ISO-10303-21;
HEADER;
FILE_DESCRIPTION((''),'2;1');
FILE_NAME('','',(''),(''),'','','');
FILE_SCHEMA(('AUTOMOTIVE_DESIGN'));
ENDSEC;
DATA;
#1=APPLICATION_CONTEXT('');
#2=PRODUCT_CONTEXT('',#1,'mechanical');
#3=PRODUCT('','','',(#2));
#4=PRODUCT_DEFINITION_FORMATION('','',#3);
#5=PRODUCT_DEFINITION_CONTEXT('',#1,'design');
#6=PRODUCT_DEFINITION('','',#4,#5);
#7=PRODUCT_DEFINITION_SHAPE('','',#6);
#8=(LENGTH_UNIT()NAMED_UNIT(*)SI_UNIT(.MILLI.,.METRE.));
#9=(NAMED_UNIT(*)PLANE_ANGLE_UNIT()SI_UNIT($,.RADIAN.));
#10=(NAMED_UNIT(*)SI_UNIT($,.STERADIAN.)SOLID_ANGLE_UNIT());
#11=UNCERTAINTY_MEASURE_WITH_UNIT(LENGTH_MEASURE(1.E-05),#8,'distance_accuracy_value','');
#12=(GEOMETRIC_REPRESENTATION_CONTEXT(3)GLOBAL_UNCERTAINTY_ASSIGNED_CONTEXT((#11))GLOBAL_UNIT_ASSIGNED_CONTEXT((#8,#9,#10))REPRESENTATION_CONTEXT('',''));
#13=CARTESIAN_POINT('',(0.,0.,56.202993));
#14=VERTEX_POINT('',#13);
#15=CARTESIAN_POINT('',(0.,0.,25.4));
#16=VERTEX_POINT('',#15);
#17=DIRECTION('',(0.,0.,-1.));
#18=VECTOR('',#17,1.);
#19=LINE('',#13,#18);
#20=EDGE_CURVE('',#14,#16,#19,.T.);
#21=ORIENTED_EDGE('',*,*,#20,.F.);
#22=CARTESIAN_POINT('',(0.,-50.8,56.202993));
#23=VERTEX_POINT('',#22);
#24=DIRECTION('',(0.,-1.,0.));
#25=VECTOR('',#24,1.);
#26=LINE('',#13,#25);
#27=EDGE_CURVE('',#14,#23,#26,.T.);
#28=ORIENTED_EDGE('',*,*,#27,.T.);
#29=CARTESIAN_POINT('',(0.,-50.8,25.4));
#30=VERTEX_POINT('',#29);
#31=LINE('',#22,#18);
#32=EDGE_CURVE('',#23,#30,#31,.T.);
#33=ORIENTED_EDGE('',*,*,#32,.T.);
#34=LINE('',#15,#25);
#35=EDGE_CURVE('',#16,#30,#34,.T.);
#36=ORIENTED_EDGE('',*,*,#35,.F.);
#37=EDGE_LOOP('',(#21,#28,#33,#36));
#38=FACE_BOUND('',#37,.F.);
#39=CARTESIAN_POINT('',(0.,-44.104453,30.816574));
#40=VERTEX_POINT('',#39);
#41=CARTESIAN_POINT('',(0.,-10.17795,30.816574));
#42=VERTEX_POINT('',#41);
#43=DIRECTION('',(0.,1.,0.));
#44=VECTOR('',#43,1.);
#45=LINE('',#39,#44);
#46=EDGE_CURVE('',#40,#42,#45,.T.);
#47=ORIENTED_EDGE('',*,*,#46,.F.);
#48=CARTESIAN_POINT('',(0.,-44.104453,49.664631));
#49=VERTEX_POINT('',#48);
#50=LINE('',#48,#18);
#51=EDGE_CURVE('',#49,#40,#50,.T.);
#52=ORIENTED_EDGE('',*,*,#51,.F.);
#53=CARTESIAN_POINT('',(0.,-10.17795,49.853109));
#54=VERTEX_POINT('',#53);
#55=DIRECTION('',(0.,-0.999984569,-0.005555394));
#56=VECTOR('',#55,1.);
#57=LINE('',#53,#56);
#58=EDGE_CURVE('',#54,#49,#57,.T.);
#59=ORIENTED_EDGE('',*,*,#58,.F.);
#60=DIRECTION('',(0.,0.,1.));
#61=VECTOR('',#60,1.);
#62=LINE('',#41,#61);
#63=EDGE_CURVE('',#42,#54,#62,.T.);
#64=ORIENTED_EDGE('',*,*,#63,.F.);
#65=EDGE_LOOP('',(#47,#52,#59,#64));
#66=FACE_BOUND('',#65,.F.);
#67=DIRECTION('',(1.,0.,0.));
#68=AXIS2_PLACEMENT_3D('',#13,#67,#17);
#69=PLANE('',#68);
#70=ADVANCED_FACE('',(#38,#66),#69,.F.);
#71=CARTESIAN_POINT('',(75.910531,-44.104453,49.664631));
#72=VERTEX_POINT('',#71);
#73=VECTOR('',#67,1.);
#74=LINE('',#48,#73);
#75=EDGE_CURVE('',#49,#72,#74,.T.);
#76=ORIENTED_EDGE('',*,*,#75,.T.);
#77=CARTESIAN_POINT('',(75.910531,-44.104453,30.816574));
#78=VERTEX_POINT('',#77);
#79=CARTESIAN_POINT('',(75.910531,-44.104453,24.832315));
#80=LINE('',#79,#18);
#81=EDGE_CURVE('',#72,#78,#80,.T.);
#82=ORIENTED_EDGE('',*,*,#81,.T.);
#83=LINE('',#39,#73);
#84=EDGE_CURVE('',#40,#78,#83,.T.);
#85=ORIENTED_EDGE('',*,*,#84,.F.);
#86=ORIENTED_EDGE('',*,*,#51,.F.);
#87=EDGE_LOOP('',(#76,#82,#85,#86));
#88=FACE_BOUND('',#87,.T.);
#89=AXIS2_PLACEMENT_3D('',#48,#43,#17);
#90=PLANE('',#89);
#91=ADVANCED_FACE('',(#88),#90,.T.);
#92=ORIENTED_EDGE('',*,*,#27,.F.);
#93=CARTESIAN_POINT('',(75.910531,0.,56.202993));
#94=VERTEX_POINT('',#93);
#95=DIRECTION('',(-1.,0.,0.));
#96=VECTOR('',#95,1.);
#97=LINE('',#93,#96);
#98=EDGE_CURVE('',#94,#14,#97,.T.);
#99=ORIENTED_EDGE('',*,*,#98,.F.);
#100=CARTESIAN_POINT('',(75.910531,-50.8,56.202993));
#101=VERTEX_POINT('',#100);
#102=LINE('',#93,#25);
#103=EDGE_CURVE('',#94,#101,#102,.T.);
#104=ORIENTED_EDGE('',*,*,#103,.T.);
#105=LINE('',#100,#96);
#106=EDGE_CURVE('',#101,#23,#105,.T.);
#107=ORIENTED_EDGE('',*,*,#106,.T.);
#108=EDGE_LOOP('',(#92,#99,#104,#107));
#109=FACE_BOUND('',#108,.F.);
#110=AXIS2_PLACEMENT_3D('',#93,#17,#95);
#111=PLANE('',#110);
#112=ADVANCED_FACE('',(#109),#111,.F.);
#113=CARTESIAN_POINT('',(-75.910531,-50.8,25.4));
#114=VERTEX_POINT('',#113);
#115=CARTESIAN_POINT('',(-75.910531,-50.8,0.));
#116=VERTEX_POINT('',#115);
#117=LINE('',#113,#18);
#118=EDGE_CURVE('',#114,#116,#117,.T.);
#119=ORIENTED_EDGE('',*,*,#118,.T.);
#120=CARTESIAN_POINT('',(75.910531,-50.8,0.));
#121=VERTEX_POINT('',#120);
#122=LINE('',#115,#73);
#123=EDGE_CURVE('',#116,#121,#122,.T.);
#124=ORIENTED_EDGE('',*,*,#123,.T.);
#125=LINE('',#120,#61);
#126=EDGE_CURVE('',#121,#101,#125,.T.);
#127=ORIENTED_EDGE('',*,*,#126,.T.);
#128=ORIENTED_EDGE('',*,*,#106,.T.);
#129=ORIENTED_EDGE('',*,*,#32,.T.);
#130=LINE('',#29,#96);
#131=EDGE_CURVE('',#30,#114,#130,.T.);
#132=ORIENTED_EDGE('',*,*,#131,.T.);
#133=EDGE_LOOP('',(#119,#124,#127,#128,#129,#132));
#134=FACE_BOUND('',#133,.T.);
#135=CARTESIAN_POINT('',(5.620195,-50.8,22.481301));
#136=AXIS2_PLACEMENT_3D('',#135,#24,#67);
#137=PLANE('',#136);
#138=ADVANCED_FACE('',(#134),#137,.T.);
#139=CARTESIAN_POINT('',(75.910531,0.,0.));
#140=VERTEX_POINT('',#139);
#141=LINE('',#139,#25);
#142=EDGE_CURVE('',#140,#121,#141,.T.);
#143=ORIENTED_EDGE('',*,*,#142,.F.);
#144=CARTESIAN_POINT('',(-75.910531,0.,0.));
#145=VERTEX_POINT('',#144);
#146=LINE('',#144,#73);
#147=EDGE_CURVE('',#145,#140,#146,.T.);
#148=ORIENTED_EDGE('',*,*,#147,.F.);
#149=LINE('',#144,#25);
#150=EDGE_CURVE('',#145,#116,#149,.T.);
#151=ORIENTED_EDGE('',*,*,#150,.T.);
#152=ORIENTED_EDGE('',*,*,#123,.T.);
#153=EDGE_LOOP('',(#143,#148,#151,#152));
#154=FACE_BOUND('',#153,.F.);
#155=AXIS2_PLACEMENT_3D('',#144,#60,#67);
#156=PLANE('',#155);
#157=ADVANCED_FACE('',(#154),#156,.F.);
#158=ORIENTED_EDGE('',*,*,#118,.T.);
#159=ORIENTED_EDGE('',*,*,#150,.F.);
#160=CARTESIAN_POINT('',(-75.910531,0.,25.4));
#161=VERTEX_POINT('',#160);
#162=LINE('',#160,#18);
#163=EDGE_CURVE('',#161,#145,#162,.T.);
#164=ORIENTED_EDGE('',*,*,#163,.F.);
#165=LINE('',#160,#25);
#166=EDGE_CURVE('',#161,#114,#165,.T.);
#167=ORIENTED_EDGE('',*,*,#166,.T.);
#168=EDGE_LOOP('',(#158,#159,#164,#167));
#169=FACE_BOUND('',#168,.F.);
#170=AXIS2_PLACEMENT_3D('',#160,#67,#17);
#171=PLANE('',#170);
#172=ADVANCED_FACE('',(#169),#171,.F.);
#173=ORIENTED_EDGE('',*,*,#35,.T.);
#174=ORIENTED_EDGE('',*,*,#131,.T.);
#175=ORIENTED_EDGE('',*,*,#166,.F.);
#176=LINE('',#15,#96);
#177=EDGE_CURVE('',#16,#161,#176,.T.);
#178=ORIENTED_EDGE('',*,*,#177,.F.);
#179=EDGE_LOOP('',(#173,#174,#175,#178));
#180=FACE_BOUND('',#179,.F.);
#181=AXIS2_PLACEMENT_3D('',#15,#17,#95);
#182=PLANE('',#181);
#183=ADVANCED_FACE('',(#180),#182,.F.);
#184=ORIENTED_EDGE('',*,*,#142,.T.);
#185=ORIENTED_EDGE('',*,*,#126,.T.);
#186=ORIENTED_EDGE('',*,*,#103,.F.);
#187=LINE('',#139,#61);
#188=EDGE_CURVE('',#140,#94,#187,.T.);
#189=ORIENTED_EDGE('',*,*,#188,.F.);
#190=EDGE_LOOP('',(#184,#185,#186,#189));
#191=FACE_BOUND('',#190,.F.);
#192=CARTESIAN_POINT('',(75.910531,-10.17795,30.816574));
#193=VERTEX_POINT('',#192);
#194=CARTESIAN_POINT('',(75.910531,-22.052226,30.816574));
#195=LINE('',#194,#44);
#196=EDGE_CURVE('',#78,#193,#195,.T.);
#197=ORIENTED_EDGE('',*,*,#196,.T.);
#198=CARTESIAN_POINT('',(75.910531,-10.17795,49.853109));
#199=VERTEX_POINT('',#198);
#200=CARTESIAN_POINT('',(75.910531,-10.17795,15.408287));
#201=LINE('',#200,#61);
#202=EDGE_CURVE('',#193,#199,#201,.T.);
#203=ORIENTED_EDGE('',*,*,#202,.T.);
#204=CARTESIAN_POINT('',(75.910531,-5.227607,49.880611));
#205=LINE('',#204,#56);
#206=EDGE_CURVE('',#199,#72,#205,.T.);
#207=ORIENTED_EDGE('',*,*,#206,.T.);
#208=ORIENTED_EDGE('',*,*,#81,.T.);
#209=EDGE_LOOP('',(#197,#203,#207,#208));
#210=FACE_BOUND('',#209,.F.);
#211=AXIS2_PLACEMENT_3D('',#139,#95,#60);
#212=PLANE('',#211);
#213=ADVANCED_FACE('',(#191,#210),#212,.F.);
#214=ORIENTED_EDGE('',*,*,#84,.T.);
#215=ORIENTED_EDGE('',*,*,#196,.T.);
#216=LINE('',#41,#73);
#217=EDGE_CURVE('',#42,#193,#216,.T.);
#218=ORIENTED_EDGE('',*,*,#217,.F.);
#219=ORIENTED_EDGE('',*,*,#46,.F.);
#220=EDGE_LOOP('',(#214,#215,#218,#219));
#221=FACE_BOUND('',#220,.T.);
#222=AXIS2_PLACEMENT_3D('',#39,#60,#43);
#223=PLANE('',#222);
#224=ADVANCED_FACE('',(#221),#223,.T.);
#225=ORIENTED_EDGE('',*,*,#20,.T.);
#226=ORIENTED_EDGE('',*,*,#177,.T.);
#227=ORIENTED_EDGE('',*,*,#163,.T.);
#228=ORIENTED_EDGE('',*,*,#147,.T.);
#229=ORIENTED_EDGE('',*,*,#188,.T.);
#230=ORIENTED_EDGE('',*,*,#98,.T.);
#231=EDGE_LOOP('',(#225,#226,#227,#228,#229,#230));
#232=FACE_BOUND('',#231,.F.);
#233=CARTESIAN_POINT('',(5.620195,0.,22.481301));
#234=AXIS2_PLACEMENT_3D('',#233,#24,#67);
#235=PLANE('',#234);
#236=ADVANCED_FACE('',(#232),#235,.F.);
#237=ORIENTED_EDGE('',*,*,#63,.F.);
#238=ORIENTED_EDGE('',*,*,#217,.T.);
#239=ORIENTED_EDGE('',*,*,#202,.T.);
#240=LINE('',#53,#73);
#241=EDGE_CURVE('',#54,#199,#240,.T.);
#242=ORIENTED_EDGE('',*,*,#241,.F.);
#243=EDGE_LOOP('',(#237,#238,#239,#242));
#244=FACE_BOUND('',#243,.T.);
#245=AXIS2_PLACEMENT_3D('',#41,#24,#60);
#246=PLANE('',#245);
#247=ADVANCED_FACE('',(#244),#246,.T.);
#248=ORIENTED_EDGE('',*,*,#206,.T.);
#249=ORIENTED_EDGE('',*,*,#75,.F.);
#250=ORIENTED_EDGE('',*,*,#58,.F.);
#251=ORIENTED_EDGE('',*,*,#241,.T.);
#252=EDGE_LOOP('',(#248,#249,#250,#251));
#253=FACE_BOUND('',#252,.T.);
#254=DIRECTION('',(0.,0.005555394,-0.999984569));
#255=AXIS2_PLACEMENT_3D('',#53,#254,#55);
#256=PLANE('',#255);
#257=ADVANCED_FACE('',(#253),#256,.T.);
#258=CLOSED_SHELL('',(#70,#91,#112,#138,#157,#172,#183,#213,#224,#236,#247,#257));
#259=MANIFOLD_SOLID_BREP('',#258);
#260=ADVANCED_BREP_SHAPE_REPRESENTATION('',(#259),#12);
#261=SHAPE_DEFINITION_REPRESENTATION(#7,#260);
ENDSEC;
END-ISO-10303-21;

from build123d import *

# Parameters (mm, degrees)
F1_DEPTH = 50.8
F3_DEPTH = 92.51427


with BuildPart() as f1:
    # F0 (on Front) → F1 (new body)
    with BuildSketch(Plane.XZ):
        Polygon((75.910531, 56.202993), (0, 56.202993), (0, 25.4), (-75.910531, 25.4), (-75.910531, 0), (75.910531, 0), align=None)
    extrude(amount=F1_DEPTH)

    # F2 (on Right) → F3 (cut)
    with BuildSketch(Plane.YZ):
        Polygon((-10.17795, 30.816574), (-10.17795, 49.853109), (-44.104453, 49.664631), (-44.104453, 30.816574), align=None)
    extrude(amount=F3_DEPTH, mode=Mode.SUBTRACT)


solid = f1.part
